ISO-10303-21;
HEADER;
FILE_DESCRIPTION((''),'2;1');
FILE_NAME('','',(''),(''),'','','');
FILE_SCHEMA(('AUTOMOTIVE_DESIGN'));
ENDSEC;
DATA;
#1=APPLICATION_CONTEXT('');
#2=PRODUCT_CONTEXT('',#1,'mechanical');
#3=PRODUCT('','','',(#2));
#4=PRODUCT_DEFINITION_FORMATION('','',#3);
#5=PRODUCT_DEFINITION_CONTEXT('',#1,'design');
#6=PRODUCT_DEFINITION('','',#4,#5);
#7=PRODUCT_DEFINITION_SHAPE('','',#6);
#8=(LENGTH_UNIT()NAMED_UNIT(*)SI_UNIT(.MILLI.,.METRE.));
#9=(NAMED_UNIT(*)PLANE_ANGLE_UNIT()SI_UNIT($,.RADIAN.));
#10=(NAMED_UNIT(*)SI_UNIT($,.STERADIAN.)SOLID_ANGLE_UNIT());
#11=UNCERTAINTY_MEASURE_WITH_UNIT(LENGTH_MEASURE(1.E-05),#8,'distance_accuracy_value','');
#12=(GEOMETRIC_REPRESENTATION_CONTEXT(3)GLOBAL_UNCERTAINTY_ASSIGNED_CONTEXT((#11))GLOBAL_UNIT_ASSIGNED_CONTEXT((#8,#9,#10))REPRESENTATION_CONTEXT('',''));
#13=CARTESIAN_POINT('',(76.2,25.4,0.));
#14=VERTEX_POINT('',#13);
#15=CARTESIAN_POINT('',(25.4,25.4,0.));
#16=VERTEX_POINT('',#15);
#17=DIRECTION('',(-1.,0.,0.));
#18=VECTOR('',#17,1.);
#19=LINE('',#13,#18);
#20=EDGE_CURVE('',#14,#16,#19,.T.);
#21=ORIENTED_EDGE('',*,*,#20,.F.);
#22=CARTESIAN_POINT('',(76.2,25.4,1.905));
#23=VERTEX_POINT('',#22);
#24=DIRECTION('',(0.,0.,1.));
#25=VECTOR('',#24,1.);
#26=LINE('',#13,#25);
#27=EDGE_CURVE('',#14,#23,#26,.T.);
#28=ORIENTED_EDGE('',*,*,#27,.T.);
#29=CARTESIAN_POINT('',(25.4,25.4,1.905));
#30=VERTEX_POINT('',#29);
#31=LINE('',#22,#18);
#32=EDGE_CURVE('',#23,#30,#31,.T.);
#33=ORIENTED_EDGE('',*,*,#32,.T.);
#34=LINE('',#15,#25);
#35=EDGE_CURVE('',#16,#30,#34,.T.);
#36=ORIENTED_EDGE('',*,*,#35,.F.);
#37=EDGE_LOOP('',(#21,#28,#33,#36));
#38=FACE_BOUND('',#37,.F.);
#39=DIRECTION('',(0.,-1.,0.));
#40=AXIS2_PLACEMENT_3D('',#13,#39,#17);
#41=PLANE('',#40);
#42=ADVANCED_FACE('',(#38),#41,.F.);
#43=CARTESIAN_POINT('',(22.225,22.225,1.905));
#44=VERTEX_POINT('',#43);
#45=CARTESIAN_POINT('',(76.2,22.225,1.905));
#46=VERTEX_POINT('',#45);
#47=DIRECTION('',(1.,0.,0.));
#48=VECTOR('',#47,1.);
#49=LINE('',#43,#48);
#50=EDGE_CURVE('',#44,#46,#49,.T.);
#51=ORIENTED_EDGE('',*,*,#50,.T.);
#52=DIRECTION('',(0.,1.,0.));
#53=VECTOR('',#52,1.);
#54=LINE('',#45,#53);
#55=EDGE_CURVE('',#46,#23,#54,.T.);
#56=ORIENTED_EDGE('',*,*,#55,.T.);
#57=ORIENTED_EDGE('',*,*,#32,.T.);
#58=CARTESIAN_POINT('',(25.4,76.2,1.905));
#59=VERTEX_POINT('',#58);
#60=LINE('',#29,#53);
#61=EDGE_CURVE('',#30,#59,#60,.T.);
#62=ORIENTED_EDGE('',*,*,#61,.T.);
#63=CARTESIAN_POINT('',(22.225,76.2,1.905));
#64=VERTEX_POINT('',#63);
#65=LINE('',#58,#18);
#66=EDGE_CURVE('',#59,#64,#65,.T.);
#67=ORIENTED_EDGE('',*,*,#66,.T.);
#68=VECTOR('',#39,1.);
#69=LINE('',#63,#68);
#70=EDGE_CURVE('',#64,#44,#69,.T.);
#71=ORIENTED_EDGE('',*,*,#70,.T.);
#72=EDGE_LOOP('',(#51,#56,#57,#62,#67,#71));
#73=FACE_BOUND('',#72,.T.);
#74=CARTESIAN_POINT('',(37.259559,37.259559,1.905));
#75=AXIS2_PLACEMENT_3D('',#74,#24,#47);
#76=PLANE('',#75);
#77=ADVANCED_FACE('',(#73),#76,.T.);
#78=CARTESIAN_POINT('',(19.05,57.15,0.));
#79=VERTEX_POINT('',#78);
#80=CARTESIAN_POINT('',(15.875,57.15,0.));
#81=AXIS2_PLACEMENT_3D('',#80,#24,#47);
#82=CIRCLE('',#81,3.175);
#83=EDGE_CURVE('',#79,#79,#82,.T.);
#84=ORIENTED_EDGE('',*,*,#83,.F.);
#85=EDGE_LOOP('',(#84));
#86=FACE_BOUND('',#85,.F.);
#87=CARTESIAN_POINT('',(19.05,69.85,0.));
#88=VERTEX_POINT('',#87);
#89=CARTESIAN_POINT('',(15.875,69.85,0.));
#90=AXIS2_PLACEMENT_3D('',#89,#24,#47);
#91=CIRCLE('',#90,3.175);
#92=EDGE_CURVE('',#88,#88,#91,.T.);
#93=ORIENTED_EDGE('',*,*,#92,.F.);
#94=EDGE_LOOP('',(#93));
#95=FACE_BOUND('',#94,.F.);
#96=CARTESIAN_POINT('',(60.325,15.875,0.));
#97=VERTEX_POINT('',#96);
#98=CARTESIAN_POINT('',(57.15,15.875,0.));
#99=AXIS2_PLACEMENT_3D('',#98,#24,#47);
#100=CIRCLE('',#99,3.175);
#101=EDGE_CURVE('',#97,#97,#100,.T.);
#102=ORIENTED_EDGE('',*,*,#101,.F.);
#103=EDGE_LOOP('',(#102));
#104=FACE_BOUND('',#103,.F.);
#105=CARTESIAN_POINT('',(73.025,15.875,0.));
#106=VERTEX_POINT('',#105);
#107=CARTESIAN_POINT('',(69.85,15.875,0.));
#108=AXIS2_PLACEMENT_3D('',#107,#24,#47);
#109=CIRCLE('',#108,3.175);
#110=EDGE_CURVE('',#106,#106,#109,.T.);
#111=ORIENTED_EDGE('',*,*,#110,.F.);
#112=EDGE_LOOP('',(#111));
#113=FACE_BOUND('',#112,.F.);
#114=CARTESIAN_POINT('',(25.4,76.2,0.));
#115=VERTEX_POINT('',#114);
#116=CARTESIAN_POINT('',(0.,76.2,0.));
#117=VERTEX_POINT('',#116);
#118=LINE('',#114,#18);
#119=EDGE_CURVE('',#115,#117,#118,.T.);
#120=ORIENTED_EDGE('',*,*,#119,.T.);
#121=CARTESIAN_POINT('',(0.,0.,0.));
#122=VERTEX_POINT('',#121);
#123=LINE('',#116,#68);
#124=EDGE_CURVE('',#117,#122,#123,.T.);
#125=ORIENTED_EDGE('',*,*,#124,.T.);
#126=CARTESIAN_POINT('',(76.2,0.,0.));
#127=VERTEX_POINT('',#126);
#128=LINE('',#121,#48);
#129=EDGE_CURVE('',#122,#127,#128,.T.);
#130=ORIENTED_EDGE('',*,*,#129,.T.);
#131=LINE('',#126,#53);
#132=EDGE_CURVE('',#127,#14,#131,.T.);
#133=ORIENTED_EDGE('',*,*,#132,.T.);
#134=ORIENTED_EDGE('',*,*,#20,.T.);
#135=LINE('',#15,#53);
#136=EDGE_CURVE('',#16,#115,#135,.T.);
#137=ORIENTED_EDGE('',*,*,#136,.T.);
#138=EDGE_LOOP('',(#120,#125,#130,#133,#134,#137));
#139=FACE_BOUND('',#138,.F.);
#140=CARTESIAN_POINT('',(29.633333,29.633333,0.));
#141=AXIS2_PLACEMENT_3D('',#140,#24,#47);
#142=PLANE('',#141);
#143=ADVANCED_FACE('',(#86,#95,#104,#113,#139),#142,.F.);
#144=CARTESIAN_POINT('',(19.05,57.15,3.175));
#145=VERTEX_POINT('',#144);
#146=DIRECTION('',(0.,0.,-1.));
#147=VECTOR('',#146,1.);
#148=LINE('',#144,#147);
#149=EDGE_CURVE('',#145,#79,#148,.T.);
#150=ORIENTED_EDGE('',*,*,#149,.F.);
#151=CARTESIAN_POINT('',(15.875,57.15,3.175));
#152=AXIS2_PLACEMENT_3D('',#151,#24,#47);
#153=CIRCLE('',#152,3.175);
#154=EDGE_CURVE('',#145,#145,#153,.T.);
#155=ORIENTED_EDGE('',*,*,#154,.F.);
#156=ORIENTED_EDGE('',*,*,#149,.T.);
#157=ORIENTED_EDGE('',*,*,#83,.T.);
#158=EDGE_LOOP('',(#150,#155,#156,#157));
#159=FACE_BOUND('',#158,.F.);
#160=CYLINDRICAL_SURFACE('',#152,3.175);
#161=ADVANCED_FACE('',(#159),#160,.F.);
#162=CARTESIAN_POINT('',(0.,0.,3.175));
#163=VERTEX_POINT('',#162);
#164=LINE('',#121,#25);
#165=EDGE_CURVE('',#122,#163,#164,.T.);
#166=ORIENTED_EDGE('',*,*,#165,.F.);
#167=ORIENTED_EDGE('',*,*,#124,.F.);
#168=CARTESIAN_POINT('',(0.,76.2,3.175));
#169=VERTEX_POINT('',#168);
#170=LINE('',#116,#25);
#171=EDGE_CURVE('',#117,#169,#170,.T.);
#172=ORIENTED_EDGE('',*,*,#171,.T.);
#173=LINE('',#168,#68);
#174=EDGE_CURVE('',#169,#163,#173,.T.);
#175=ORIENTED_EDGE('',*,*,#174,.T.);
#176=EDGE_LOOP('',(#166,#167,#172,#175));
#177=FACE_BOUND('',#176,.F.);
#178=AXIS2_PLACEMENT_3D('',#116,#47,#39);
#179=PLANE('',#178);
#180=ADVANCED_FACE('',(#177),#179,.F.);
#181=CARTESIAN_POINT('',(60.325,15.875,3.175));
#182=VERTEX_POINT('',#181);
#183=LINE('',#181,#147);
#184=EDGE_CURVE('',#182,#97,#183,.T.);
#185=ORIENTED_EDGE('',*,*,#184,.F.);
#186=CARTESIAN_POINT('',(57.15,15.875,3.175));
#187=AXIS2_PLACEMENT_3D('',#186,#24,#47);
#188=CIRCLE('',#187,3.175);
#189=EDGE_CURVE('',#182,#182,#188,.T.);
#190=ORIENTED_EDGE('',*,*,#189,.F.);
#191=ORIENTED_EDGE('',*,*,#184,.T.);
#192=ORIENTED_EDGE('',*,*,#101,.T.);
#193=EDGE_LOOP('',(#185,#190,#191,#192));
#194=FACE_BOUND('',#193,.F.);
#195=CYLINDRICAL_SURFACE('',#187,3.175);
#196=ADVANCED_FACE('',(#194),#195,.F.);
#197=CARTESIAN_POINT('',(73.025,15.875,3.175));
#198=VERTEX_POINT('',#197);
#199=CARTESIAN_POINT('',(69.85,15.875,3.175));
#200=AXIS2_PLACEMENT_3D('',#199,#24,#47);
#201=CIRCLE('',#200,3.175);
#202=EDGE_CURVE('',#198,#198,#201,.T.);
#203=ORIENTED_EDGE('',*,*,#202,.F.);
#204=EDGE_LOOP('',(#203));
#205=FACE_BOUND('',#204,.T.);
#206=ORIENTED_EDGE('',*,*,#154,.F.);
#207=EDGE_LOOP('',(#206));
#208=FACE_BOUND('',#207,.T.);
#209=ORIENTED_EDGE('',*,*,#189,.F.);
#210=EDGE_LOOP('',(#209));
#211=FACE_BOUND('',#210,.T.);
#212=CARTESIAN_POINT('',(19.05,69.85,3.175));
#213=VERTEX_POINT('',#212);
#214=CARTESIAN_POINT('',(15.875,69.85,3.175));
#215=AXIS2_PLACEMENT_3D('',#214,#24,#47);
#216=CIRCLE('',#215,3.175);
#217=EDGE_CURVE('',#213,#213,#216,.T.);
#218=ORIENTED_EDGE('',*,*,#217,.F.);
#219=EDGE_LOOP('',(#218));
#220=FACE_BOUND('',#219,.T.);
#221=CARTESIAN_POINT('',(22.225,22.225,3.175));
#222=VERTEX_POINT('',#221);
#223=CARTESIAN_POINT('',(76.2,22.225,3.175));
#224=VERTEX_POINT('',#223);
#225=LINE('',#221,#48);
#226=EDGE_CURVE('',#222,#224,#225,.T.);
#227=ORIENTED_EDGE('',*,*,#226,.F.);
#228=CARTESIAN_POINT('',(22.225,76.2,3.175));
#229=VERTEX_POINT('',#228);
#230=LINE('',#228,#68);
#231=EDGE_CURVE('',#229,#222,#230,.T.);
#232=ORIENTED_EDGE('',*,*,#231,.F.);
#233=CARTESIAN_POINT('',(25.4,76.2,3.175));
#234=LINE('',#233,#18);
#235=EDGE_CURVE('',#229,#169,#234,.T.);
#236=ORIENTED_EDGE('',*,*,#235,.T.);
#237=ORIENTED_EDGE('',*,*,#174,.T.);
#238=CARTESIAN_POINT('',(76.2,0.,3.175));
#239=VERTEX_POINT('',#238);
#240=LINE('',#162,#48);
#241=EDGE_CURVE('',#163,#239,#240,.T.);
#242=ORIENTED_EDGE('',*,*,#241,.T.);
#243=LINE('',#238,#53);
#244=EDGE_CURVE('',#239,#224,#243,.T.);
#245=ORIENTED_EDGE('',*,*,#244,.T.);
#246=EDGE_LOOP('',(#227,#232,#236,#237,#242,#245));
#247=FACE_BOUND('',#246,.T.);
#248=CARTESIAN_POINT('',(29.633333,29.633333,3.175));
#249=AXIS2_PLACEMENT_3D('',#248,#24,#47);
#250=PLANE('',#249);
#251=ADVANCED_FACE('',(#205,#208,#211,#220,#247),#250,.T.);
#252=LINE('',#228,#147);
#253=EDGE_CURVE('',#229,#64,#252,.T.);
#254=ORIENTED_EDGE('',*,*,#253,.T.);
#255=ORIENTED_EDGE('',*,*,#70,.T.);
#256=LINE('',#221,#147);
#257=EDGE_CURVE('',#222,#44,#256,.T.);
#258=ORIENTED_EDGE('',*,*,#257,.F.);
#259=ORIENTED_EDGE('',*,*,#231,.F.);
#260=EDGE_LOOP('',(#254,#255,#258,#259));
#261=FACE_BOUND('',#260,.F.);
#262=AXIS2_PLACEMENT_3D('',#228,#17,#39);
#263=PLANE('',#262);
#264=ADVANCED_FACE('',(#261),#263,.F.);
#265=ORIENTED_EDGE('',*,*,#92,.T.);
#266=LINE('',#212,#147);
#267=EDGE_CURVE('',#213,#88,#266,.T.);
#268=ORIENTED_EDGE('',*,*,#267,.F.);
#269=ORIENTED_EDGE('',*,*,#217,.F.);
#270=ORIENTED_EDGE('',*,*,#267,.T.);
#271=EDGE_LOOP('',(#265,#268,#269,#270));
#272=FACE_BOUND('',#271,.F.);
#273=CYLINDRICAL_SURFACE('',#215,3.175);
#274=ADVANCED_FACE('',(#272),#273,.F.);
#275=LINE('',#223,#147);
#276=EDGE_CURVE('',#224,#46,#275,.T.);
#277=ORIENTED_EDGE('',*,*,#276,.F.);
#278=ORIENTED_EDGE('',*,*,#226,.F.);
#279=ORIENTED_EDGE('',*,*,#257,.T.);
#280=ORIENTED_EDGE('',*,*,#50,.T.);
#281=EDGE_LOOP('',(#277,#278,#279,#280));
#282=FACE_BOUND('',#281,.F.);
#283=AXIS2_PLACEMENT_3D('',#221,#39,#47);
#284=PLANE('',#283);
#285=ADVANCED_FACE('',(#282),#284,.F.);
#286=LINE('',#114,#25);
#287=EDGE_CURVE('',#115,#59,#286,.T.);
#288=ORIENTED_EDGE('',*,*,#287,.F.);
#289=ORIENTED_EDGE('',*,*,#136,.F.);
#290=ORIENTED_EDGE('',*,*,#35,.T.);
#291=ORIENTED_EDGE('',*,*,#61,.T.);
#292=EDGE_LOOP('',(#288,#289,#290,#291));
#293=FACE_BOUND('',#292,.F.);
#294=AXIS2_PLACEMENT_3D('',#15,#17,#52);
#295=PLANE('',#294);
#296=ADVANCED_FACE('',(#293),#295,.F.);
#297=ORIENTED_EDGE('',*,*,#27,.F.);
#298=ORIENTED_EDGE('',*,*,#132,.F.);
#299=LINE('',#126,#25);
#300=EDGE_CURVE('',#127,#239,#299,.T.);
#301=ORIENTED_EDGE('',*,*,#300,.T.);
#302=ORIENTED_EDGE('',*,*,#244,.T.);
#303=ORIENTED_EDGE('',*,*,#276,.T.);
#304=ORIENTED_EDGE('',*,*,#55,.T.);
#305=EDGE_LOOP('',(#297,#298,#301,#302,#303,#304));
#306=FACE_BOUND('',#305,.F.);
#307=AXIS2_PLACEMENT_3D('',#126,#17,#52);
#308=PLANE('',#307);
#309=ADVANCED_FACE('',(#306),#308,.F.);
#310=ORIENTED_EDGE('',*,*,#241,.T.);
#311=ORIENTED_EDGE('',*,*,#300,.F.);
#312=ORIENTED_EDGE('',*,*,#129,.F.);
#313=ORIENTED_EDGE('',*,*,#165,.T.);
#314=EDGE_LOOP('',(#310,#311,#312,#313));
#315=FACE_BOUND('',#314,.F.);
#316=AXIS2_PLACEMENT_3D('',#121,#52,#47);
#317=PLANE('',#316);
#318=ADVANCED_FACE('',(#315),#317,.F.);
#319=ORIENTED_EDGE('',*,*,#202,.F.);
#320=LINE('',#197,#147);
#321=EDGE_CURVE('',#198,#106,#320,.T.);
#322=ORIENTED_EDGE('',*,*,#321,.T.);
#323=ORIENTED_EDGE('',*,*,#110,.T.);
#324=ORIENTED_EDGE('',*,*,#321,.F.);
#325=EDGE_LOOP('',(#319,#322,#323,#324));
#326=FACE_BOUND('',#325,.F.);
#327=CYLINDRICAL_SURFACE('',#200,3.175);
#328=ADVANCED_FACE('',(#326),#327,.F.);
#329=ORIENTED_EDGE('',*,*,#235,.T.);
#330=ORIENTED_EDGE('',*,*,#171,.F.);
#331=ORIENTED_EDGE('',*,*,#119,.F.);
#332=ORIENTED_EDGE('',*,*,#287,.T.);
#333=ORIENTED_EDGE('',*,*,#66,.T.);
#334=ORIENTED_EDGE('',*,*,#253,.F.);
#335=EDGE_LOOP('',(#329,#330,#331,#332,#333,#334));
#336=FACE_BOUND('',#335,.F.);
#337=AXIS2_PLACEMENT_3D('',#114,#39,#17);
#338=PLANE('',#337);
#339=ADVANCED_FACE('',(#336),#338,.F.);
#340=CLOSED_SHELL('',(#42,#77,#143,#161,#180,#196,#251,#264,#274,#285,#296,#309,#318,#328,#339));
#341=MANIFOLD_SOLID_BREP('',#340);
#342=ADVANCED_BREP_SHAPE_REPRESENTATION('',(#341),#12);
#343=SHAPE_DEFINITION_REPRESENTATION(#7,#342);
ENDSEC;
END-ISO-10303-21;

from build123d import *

# Parameters (mm, degrees)
F1_DEPTH = 3.175
F3_DEPTH = 1.27
F4_R     = 3.175
F5_DEPTH = 25.4


with BuildPart() as f1:
    # F0 (on Top) → F1 (new body)
    with BuildSketch(Plane.XY):
        Polygon((0, 76.2), (0, 0), (76.2, 0), (76.2, 25.4), (25.4, 25.4), (25.4, 76.2), align=None)
    extrude(amount=F1_DEPTH)

    # F2 (on face) → F3 (cut)
    with BuildSketch(Plane.XY.offset(3.175)):
        Polygon((25.4, 25.4), (25.4, 76.2), (22.225, 76.2), (22.225, 25.4), (22.225, 22.225), (25.4, 22.225), (76.2, 22.225), (76.2, 25.4), align=None)
    extrude(amount=-F3_DEPTH, mode=Mode.SUBTRACT)

    # F4 (on face) → F5 (cut)
    with BuildSketch(Plane.XY.offset(3.175)):
        with Locations((69.85, 15.875)):
            Circle(F4_R)
        with Locations((57.15, 15.875)):
            Circle(F4_R)
        with Locations((15.875, 69.85)):
            Circle(F4_R)
        with Locations((15.875, 57.15)):
            Circle(F4_R)
    extrude(amount=-F5_DEPTH, mode=Mode.SUBTRACT)


solid = f1.part
